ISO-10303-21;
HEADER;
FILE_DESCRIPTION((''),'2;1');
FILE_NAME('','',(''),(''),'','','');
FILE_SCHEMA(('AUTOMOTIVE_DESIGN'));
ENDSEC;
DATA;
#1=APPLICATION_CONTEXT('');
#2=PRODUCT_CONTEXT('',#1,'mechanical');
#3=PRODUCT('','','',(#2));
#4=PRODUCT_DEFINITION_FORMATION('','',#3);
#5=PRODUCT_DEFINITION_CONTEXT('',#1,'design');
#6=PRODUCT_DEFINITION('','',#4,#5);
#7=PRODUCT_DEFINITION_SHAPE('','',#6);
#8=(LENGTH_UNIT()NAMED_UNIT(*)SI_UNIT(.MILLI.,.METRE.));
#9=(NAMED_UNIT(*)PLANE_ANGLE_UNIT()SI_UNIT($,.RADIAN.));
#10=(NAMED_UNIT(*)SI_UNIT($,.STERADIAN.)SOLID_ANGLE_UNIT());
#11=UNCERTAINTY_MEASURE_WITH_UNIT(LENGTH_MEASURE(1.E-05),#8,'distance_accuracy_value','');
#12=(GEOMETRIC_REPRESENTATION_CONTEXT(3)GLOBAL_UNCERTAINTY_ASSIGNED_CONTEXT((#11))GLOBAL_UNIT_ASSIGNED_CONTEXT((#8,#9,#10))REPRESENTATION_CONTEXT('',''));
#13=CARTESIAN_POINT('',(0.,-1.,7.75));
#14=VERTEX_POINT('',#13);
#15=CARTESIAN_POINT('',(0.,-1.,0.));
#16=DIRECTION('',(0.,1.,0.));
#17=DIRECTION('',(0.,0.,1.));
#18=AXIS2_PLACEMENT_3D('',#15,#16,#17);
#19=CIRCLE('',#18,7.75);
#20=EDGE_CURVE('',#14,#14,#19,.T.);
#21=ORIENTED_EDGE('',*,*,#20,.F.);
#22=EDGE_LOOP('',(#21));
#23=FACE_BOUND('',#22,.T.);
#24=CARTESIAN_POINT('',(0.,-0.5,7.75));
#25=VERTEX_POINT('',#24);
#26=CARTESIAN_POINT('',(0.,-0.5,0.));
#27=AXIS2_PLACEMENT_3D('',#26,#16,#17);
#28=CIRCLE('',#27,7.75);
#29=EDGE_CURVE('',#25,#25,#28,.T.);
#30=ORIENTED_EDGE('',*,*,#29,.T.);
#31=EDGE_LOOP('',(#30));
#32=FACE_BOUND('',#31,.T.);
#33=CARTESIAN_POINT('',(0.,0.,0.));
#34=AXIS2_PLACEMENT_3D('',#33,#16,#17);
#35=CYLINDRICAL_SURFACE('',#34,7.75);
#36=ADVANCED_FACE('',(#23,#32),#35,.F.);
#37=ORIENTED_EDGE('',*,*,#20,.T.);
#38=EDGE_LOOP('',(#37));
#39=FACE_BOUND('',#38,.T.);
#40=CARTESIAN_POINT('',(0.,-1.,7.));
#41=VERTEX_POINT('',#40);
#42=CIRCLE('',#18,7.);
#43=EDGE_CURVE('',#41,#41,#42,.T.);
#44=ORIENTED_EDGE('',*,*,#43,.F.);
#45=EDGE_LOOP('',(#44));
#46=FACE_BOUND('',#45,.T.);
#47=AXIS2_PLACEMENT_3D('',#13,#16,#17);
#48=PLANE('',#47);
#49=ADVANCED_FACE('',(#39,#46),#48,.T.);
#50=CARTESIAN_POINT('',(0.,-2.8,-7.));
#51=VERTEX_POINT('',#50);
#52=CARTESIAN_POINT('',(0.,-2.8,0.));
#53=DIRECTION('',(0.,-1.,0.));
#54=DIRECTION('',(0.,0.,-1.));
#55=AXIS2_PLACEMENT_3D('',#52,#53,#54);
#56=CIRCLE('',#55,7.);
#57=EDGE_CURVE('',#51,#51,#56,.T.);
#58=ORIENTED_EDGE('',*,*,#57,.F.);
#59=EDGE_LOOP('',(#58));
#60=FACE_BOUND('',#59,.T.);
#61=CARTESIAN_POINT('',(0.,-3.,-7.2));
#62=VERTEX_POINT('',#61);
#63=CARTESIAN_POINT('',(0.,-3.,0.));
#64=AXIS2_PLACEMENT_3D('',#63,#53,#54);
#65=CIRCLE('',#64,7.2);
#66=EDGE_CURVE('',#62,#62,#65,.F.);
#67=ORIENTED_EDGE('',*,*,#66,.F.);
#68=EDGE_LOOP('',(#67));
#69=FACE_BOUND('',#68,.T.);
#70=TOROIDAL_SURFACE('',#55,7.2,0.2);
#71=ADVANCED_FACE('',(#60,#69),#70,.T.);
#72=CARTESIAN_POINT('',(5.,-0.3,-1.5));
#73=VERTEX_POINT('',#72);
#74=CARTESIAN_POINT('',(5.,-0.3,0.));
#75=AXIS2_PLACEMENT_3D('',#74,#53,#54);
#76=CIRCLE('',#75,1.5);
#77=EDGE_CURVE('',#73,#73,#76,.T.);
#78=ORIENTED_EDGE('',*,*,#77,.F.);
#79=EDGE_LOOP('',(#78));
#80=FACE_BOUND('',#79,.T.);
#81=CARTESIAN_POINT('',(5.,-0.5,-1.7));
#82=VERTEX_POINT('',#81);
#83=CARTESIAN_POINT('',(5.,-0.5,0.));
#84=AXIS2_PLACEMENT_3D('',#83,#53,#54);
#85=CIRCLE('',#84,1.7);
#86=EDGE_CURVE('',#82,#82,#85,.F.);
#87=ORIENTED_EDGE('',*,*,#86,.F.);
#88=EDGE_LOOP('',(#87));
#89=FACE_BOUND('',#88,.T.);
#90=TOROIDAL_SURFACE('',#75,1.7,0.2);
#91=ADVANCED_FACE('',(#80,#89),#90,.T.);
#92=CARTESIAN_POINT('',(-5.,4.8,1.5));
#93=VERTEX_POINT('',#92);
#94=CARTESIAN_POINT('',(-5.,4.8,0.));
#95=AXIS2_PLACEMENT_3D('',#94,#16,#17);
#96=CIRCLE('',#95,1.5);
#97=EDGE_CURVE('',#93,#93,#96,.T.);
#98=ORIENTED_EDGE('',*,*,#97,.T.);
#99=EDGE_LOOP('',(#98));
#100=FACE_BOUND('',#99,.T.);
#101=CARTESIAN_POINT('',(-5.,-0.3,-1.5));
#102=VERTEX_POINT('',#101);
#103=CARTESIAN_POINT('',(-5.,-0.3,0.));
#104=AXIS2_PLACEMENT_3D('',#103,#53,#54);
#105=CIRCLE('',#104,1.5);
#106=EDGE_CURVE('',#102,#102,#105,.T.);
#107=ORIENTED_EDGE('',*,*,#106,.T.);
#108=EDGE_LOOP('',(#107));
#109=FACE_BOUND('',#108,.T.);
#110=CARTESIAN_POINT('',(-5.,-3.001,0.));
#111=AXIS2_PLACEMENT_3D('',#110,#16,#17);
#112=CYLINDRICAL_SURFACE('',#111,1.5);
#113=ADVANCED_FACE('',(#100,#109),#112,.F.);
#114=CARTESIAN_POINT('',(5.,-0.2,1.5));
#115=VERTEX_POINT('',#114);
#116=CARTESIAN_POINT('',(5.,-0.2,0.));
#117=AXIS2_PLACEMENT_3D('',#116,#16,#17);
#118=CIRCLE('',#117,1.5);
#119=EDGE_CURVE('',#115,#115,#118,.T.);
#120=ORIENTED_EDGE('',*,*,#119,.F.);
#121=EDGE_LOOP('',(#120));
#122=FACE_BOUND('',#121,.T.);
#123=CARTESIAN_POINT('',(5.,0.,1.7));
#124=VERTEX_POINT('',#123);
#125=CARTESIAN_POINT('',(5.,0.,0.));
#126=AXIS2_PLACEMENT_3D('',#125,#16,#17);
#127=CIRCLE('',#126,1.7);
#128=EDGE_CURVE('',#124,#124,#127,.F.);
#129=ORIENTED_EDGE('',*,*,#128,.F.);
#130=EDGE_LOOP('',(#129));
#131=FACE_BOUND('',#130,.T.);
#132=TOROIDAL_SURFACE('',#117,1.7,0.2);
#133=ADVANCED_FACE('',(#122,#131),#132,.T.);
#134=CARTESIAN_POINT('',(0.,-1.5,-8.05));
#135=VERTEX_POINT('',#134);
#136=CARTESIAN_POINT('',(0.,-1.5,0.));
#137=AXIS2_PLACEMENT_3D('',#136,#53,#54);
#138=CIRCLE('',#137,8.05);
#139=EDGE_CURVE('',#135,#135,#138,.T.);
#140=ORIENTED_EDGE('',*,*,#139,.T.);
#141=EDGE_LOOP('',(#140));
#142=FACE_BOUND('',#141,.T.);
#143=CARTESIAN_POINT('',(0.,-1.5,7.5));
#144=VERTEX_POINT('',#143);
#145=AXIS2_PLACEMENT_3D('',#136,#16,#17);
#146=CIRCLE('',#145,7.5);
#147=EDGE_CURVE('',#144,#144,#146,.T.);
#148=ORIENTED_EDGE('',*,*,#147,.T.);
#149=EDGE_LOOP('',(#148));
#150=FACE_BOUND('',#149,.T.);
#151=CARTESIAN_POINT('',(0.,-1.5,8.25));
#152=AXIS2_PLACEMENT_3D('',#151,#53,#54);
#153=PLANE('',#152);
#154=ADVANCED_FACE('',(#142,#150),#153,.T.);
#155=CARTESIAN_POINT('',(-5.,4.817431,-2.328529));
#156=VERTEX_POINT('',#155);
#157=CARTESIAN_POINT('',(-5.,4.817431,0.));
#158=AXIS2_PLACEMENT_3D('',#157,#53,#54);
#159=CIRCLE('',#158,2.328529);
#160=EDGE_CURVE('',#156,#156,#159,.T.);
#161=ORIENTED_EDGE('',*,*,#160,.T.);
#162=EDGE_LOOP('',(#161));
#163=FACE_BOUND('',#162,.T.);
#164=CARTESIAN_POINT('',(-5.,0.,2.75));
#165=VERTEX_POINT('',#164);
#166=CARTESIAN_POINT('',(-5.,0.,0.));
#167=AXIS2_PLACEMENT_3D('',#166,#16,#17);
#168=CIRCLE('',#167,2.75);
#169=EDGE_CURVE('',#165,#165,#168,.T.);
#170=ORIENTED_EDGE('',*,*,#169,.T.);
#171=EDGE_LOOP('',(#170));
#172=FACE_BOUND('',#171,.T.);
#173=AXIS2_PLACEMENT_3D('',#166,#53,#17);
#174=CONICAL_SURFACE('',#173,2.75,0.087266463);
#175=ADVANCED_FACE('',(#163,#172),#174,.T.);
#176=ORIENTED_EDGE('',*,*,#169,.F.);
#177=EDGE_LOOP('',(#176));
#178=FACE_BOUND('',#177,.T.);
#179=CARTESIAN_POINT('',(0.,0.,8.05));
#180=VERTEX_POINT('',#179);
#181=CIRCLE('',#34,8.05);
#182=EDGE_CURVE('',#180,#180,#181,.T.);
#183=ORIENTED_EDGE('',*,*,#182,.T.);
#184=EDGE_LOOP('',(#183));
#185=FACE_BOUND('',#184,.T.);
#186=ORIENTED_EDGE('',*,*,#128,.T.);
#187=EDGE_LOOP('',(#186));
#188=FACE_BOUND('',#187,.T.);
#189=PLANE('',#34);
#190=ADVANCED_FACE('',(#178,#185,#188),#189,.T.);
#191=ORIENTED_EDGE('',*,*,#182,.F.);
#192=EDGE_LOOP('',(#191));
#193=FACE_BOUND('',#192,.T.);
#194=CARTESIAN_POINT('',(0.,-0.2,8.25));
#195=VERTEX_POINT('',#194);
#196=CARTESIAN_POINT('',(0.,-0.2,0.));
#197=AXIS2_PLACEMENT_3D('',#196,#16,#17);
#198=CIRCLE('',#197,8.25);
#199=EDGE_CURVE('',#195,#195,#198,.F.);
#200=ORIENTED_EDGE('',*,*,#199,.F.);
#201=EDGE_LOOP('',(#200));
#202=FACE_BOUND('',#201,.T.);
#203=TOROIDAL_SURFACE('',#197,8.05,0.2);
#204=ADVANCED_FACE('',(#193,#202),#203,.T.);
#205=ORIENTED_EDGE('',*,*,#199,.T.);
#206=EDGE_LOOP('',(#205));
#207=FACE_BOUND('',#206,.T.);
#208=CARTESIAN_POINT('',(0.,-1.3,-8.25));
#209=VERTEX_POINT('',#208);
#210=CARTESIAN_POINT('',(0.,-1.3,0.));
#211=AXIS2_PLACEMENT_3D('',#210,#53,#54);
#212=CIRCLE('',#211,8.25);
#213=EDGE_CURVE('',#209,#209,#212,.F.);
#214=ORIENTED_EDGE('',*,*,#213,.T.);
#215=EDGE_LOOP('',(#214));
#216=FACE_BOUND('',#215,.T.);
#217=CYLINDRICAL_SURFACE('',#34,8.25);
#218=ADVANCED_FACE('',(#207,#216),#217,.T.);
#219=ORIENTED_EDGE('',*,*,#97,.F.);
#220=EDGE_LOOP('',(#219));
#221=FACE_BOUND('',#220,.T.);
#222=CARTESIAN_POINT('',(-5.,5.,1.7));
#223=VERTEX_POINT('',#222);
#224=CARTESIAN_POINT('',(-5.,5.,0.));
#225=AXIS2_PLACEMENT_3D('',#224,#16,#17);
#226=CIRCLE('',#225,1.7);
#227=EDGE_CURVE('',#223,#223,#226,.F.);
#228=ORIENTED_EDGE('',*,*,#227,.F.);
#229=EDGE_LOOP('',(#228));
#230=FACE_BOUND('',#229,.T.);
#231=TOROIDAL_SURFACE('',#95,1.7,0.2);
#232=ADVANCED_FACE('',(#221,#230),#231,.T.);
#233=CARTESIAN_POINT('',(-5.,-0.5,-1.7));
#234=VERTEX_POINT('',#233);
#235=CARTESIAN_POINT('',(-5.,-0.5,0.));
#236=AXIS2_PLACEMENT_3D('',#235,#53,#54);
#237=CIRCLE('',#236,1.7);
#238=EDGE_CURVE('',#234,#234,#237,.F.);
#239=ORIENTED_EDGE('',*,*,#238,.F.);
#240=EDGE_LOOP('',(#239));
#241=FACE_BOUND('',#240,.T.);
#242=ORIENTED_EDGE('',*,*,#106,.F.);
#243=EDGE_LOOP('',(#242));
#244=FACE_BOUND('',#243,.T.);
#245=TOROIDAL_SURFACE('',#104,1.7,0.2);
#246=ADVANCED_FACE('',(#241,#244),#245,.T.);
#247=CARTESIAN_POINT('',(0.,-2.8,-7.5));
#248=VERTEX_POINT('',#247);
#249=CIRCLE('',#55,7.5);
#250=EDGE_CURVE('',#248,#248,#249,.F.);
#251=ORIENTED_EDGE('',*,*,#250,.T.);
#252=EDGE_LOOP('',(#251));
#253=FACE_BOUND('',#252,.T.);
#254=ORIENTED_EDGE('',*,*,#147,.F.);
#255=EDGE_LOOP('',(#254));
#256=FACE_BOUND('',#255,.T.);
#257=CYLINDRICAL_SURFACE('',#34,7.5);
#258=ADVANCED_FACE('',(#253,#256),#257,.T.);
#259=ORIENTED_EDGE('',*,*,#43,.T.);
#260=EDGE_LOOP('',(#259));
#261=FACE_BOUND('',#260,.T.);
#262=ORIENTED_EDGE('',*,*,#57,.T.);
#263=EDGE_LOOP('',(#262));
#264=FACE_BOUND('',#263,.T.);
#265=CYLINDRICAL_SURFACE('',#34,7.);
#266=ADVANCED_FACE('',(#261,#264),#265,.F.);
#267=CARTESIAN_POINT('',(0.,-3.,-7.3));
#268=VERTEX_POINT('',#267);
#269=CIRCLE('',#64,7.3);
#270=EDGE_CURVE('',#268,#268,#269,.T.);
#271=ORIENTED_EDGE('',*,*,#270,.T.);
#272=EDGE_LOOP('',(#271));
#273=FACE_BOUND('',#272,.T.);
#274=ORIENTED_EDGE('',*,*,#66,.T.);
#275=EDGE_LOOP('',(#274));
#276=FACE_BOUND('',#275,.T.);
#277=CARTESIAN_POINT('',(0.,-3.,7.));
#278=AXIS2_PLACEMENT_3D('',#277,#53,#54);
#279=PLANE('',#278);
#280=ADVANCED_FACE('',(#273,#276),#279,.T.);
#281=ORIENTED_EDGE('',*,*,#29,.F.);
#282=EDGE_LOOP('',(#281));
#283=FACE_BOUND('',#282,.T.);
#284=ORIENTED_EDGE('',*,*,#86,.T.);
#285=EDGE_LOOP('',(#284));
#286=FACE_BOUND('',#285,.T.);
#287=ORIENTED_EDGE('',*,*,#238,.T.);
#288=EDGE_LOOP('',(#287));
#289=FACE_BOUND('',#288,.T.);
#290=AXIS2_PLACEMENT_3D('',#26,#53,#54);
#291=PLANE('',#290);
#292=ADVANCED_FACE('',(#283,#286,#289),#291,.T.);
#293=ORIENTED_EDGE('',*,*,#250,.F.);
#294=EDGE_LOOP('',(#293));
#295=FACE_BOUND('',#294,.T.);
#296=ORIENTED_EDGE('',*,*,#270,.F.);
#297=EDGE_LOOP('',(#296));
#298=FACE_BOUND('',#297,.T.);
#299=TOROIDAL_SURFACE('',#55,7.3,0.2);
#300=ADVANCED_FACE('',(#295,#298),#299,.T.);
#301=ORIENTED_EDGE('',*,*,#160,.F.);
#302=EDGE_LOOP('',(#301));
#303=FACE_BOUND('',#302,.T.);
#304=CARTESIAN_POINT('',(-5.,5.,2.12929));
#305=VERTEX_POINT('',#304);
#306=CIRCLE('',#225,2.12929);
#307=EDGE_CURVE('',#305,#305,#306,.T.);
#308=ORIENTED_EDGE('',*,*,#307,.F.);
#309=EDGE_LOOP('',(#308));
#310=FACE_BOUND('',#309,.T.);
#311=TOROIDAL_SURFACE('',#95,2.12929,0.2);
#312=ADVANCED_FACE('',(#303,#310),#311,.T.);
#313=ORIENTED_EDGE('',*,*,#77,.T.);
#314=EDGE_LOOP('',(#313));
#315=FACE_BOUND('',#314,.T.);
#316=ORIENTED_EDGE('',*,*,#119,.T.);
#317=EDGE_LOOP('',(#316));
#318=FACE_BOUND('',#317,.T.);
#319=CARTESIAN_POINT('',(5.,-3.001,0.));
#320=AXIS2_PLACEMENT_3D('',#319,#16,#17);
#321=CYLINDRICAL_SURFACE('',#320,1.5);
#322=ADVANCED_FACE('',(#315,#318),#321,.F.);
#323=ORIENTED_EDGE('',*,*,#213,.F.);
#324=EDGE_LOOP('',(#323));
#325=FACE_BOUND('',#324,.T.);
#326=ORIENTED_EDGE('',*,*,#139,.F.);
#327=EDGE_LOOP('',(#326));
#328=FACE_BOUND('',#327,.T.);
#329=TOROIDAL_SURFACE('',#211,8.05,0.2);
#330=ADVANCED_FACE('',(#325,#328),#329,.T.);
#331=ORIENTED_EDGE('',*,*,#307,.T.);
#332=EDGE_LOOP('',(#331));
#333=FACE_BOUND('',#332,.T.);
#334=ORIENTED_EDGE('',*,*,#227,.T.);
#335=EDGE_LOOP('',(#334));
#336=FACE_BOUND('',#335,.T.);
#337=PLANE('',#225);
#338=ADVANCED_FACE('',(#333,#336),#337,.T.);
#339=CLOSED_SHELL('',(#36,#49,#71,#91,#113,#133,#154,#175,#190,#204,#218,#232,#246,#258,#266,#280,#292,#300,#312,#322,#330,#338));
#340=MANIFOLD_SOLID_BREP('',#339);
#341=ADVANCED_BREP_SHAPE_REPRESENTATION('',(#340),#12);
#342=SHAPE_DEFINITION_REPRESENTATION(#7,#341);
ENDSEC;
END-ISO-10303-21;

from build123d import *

# Parameters (mm, degrees)
CUT_EXTRUDE1_REACH  = 5
SKETCH2_R           = 1.5
SKETCH3_R           = 2.75
SKETCH3_R_2         = 1.5
BOSS_EXTRUDE1_DEPTH = 5
DRAFT2_ANGLE        = 5
FILLET1_R           = 0.2


with BuildPart() as part:
    # Sketch1 → Revolve1 (revolve)
    with BuildSketch(Plane(origin=(0, 0, 0), x_dir=(0, 0, -1), z_dir=(1, 0, 0))):
        Polygon((-8.25, -1.5), (-7.5, -1.5), (-7.5, -3), (-7, -3), (-7, -1), (-7.75, -1), (-7.75, -0.5), (0, -0.5), (0, 0), (-8.25, 0), align=None)
    revolve(axis=Axis((0, 0, 0), (0, -1, 0)))

    # Sketch2 → Cut-Extrude1 (cut, up to next)
    with BuildSketch(Plane(origin=(0, 0, 0), x_dir=(1, 0, 0), z_dir=(0, 1, 0)), mode=Mode.PRIVATE) as cut_extrude1_sk1:
        with Locations((5, 0)):
            Circle(SKETCH2_R)
    cut_extrude1_tool1 = extrude(cut_extrude1_sk1.sketch, amount=-CUT_EXTRUDE1_REACH, mode=Mode.PRIVATE) & part.part
    add(cut_extrude1_tool1.solids().sort_by_distance((5, 0, 0))[0], mode=Mode.SUBTRACT)
    # Sketch2 → Cut-Extrude1 (cut, up to next)
    with BuildSketch(Plane(origin=(0, 0, 0), x_dir=(1, 0, 0), z_dir=(0, 1, 0)), mode=Mode.PRIVATE) as cut_extrude1_sk2:
        with Locations((-5, 0)):
            Circle(SKETCH2_R)
    cut_extrude1_tool2 = extrude(cut_extrude1_sk2.sketch, amount=-CUT_EXTRUDE1_REACH, mode=Mode.PRIVATE) & part.part
    add(cut_extrude1_tool2.solids().sort_by_distance((-5, 0, 0))[0], mode=Mode.SUBTRACT)

    # Sketch3 → Boss-Extrude1 (add)
    with BuildSketch(Plane(origin=(0, 0, 0), x_dir=(1, 0, 0), z_dir=(0, 1, 0))):
        with Locations((-5, 0)):
            Circle(SKETCH3_R)
        with Locations((-5, 0)):
            Circle(SKETCH3_R_2, mode=Mode.SUBTRACT)
    extrude(amount=BOSS_EXTRUDE1_DEPTH)

    # Draft2
    draft2_faces = [part.faces().sort_by_distance(p)[0] for p in [
        (-7.75, 2.5, 0),
    ]]
    draft(draft2_faces, Plane.ZX, DRAFT2_ANGLE)

    # Fillet1
    fillet1_edges = [part.edges().sort_by_distance(p)[0] for p in [
        (0, -1.5, -8.25),
        (0, 0, -8.25),
        (3.5, -0.5, 0),
        (3.5, 0, 0),
        (-6.5, -0.5, 0),
        (-7.312556682, 5, 0),
        (-6.5, 5, 0),
        (0, -3, -7),
        (0, -3, -7.5),
    ]]
    fillet(fillet1_edges, radius=FILLET1_R)


solid = part.part
